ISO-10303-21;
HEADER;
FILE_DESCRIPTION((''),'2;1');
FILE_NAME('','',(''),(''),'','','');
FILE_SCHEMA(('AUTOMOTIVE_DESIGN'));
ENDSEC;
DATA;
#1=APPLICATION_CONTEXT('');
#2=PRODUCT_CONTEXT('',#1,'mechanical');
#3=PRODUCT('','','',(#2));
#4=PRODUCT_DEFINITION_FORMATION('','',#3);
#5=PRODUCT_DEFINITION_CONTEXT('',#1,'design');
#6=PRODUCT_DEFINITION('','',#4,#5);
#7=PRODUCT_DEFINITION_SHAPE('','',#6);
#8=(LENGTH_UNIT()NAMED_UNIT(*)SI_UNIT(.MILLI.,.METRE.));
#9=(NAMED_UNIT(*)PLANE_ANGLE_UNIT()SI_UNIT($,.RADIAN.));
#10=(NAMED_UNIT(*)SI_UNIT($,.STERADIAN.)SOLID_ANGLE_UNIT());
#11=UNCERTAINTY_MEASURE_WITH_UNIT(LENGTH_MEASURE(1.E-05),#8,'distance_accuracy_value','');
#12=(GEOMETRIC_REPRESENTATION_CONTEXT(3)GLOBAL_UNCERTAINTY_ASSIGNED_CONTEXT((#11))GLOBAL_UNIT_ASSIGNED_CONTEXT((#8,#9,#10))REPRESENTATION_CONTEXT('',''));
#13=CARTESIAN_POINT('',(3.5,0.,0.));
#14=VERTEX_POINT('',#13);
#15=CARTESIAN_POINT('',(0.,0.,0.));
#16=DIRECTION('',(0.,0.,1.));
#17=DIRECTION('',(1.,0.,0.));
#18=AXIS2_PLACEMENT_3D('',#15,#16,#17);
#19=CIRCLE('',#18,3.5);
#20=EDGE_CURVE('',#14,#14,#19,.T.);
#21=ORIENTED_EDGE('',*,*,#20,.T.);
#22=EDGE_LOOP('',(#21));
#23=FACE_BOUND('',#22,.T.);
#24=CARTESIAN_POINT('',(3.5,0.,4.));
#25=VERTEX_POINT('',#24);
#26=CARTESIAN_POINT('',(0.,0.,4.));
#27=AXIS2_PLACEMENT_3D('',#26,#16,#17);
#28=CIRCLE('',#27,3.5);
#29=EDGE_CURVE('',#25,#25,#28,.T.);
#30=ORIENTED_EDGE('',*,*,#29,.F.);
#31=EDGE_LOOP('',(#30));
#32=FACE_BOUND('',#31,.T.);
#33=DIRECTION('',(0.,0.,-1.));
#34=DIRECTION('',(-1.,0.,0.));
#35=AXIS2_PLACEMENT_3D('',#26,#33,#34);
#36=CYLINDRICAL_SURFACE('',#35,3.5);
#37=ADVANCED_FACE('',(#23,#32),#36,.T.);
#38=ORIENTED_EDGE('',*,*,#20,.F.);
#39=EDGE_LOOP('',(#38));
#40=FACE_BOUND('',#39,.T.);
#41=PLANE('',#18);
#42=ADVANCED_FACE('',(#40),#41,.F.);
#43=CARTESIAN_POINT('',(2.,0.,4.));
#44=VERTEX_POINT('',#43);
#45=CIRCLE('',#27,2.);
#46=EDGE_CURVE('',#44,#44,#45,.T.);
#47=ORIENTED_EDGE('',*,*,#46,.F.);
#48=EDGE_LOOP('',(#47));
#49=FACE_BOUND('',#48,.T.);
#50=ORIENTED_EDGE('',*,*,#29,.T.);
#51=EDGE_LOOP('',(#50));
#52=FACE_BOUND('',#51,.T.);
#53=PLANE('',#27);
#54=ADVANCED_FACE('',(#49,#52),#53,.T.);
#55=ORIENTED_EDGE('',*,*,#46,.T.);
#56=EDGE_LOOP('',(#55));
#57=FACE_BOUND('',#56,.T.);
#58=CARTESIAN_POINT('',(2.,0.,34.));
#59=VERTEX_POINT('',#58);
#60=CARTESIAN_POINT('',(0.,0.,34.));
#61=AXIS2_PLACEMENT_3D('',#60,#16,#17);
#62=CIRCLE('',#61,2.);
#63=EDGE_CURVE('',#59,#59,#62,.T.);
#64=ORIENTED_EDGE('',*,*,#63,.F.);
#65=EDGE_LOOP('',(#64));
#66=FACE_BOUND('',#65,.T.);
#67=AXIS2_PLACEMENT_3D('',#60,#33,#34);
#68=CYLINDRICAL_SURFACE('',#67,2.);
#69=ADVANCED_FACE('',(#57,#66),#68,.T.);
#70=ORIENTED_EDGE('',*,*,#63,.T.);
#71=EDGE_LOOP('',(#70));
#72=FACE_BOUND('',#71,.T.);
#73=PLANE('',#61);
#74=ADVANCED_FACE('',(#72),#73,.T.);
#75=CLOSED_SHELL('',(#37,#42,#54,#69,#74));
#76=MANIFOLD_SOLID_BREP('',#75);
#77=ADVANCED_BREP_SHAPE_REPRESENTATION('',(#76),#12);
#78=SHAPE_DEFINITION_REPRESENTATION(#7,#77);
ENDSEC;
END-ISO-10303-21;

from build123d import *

# Parameters (mm, degrees)
SKETCH_1_R        = 3.5
EXTRUDE_321_DEPTH = 4
SKETCH_2_R        = 2
EXTRUDE_2_DEPTH   = 30


with BuildPart() as part:
    # Эскиз1 → Extrude 321 (new body)
    with BuildSketch(Plane.XY):
        Circle(SKETCH_1_R)
    extrude(amount=EXTRUDE_321_DEPTH)

    # Эскиз2 → Бобышка-Вытянуть2 (add)
    with BuildSketch(Plane.XY.offset(4)):
        Circle(SKETCH_2_R)
    extrude(amount=EXTRUDE_2_DEPTH)


solid = part.part
